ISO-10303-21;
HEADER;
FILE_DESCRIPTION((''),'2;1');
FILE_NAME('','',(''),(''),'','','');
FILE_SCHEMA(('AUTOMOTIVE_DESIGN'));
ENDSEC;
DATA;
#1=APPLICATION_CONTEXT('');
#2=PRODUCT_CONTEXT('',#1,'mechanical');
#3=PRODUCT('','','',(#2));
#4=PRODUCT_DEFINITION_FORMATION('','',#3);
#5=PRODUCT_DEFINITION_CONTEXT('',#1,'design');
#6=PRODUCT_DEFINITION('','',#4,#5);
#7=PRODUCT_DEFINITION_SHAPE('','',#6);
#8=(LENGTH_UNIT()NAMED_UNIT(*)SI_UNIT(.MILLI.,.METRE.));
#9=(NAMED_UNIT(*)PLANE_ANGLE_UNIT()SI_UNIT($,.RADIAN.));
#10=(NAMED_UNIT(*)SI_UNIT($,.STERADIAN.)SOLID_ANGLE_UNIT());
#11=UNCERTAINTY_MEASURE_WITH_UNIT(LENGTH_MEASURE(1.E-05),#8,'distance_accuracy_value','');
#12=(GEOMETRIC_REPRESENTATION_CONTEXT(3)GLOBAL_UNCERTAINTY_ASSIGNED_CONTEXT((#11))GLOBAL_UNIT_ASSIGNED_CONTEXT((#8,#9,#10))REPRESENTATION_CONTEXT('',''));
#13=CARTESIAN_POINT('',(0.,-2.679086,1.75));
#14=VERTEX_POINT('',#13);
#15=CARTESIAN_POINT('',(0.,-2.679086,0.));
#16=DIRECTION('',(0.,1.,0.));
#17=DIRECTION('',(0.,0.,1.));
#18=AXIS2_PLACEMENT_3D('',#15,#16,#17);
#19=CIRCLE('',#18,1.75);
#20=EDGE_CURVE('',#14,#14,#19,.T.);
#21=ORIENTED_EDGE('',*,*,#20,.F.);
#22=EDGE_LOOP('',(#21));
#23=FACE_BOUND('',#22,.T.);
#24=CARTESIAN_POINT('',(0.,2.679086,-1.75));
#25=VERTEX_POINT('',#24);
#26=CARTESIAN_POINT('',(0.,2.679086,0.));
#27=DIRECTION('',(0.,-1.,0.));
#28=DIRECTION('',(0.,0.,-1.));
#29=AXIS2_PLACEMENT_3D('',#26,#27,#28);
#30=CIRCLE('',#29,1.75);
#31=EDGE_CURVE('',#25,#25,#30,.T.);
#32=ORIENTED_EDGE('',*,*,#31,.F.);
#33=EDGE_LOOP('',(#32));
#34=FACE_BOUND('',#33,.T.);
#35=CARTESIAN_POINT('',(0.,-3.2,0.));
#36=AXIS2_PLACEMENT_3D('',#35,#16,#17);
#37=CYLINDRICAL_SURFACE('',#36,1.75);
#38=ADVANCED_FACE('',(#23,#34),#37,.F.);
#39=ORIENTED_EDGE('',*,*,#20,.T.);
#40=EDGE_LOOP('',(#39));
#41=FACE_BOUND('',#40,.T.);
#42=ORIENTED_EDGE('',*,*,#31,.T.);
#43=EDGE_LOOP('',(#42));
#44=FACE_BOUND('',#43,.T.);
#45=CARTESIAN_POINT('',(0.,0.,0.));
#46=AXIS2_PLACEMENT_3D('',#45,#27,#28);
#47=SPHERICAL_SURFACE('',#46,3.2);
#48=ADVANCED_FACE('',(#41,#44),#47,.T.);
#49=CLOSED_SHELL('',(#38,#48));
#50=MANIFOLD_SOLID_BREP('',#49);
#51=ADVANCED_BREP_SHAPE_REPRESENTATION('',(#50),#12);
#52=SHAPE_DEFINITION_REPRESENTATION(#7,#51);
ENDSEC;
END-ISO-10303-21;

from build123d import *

# Parameters (mm, degrees)
CUT_EXTRUDE1_DEPTH      = 6.542562584
CUT_EXTRUDE1_DEPTH_BACK = 6.542562584
SKETCH2_R               = 1.75


with BuildPart() as part:
    # Sketch1 → Revolve1 (revolve)
    with BuildSketch(Plane.XY):
        with BuildLine():
            Line((-3.2, 0), (3.2, 0))
            ThreePointArc((3.2, 0), (0, 3.2), (-3.2, 0))
        make_face()
    revolve(axis=Axis((-3.2, 0, 0), (1, 0, 0)))

    # Sketch2 → Cut-Extrude1 (cut, two sides: drawn at the far end of the back side and taken through both)
    with BuildSketch(Plane(origin=(0, 0, 0), x_dir=(1, 0, 0), z_dir=(0, 1, 0)).offset(-CUT_EXTRUDE1_DEPTH_BACK)):
        with Locations(Location((0, 0, 0), (0, 0, 90))):
            Circle(SKETCH2_R)
    extrude(amount=CUT_EXTRUDE1_DEPTH + CUT_EXTRUDE1_DEPTH_BACK, mode=Mode.SUBTRACT)


solid = part.part
